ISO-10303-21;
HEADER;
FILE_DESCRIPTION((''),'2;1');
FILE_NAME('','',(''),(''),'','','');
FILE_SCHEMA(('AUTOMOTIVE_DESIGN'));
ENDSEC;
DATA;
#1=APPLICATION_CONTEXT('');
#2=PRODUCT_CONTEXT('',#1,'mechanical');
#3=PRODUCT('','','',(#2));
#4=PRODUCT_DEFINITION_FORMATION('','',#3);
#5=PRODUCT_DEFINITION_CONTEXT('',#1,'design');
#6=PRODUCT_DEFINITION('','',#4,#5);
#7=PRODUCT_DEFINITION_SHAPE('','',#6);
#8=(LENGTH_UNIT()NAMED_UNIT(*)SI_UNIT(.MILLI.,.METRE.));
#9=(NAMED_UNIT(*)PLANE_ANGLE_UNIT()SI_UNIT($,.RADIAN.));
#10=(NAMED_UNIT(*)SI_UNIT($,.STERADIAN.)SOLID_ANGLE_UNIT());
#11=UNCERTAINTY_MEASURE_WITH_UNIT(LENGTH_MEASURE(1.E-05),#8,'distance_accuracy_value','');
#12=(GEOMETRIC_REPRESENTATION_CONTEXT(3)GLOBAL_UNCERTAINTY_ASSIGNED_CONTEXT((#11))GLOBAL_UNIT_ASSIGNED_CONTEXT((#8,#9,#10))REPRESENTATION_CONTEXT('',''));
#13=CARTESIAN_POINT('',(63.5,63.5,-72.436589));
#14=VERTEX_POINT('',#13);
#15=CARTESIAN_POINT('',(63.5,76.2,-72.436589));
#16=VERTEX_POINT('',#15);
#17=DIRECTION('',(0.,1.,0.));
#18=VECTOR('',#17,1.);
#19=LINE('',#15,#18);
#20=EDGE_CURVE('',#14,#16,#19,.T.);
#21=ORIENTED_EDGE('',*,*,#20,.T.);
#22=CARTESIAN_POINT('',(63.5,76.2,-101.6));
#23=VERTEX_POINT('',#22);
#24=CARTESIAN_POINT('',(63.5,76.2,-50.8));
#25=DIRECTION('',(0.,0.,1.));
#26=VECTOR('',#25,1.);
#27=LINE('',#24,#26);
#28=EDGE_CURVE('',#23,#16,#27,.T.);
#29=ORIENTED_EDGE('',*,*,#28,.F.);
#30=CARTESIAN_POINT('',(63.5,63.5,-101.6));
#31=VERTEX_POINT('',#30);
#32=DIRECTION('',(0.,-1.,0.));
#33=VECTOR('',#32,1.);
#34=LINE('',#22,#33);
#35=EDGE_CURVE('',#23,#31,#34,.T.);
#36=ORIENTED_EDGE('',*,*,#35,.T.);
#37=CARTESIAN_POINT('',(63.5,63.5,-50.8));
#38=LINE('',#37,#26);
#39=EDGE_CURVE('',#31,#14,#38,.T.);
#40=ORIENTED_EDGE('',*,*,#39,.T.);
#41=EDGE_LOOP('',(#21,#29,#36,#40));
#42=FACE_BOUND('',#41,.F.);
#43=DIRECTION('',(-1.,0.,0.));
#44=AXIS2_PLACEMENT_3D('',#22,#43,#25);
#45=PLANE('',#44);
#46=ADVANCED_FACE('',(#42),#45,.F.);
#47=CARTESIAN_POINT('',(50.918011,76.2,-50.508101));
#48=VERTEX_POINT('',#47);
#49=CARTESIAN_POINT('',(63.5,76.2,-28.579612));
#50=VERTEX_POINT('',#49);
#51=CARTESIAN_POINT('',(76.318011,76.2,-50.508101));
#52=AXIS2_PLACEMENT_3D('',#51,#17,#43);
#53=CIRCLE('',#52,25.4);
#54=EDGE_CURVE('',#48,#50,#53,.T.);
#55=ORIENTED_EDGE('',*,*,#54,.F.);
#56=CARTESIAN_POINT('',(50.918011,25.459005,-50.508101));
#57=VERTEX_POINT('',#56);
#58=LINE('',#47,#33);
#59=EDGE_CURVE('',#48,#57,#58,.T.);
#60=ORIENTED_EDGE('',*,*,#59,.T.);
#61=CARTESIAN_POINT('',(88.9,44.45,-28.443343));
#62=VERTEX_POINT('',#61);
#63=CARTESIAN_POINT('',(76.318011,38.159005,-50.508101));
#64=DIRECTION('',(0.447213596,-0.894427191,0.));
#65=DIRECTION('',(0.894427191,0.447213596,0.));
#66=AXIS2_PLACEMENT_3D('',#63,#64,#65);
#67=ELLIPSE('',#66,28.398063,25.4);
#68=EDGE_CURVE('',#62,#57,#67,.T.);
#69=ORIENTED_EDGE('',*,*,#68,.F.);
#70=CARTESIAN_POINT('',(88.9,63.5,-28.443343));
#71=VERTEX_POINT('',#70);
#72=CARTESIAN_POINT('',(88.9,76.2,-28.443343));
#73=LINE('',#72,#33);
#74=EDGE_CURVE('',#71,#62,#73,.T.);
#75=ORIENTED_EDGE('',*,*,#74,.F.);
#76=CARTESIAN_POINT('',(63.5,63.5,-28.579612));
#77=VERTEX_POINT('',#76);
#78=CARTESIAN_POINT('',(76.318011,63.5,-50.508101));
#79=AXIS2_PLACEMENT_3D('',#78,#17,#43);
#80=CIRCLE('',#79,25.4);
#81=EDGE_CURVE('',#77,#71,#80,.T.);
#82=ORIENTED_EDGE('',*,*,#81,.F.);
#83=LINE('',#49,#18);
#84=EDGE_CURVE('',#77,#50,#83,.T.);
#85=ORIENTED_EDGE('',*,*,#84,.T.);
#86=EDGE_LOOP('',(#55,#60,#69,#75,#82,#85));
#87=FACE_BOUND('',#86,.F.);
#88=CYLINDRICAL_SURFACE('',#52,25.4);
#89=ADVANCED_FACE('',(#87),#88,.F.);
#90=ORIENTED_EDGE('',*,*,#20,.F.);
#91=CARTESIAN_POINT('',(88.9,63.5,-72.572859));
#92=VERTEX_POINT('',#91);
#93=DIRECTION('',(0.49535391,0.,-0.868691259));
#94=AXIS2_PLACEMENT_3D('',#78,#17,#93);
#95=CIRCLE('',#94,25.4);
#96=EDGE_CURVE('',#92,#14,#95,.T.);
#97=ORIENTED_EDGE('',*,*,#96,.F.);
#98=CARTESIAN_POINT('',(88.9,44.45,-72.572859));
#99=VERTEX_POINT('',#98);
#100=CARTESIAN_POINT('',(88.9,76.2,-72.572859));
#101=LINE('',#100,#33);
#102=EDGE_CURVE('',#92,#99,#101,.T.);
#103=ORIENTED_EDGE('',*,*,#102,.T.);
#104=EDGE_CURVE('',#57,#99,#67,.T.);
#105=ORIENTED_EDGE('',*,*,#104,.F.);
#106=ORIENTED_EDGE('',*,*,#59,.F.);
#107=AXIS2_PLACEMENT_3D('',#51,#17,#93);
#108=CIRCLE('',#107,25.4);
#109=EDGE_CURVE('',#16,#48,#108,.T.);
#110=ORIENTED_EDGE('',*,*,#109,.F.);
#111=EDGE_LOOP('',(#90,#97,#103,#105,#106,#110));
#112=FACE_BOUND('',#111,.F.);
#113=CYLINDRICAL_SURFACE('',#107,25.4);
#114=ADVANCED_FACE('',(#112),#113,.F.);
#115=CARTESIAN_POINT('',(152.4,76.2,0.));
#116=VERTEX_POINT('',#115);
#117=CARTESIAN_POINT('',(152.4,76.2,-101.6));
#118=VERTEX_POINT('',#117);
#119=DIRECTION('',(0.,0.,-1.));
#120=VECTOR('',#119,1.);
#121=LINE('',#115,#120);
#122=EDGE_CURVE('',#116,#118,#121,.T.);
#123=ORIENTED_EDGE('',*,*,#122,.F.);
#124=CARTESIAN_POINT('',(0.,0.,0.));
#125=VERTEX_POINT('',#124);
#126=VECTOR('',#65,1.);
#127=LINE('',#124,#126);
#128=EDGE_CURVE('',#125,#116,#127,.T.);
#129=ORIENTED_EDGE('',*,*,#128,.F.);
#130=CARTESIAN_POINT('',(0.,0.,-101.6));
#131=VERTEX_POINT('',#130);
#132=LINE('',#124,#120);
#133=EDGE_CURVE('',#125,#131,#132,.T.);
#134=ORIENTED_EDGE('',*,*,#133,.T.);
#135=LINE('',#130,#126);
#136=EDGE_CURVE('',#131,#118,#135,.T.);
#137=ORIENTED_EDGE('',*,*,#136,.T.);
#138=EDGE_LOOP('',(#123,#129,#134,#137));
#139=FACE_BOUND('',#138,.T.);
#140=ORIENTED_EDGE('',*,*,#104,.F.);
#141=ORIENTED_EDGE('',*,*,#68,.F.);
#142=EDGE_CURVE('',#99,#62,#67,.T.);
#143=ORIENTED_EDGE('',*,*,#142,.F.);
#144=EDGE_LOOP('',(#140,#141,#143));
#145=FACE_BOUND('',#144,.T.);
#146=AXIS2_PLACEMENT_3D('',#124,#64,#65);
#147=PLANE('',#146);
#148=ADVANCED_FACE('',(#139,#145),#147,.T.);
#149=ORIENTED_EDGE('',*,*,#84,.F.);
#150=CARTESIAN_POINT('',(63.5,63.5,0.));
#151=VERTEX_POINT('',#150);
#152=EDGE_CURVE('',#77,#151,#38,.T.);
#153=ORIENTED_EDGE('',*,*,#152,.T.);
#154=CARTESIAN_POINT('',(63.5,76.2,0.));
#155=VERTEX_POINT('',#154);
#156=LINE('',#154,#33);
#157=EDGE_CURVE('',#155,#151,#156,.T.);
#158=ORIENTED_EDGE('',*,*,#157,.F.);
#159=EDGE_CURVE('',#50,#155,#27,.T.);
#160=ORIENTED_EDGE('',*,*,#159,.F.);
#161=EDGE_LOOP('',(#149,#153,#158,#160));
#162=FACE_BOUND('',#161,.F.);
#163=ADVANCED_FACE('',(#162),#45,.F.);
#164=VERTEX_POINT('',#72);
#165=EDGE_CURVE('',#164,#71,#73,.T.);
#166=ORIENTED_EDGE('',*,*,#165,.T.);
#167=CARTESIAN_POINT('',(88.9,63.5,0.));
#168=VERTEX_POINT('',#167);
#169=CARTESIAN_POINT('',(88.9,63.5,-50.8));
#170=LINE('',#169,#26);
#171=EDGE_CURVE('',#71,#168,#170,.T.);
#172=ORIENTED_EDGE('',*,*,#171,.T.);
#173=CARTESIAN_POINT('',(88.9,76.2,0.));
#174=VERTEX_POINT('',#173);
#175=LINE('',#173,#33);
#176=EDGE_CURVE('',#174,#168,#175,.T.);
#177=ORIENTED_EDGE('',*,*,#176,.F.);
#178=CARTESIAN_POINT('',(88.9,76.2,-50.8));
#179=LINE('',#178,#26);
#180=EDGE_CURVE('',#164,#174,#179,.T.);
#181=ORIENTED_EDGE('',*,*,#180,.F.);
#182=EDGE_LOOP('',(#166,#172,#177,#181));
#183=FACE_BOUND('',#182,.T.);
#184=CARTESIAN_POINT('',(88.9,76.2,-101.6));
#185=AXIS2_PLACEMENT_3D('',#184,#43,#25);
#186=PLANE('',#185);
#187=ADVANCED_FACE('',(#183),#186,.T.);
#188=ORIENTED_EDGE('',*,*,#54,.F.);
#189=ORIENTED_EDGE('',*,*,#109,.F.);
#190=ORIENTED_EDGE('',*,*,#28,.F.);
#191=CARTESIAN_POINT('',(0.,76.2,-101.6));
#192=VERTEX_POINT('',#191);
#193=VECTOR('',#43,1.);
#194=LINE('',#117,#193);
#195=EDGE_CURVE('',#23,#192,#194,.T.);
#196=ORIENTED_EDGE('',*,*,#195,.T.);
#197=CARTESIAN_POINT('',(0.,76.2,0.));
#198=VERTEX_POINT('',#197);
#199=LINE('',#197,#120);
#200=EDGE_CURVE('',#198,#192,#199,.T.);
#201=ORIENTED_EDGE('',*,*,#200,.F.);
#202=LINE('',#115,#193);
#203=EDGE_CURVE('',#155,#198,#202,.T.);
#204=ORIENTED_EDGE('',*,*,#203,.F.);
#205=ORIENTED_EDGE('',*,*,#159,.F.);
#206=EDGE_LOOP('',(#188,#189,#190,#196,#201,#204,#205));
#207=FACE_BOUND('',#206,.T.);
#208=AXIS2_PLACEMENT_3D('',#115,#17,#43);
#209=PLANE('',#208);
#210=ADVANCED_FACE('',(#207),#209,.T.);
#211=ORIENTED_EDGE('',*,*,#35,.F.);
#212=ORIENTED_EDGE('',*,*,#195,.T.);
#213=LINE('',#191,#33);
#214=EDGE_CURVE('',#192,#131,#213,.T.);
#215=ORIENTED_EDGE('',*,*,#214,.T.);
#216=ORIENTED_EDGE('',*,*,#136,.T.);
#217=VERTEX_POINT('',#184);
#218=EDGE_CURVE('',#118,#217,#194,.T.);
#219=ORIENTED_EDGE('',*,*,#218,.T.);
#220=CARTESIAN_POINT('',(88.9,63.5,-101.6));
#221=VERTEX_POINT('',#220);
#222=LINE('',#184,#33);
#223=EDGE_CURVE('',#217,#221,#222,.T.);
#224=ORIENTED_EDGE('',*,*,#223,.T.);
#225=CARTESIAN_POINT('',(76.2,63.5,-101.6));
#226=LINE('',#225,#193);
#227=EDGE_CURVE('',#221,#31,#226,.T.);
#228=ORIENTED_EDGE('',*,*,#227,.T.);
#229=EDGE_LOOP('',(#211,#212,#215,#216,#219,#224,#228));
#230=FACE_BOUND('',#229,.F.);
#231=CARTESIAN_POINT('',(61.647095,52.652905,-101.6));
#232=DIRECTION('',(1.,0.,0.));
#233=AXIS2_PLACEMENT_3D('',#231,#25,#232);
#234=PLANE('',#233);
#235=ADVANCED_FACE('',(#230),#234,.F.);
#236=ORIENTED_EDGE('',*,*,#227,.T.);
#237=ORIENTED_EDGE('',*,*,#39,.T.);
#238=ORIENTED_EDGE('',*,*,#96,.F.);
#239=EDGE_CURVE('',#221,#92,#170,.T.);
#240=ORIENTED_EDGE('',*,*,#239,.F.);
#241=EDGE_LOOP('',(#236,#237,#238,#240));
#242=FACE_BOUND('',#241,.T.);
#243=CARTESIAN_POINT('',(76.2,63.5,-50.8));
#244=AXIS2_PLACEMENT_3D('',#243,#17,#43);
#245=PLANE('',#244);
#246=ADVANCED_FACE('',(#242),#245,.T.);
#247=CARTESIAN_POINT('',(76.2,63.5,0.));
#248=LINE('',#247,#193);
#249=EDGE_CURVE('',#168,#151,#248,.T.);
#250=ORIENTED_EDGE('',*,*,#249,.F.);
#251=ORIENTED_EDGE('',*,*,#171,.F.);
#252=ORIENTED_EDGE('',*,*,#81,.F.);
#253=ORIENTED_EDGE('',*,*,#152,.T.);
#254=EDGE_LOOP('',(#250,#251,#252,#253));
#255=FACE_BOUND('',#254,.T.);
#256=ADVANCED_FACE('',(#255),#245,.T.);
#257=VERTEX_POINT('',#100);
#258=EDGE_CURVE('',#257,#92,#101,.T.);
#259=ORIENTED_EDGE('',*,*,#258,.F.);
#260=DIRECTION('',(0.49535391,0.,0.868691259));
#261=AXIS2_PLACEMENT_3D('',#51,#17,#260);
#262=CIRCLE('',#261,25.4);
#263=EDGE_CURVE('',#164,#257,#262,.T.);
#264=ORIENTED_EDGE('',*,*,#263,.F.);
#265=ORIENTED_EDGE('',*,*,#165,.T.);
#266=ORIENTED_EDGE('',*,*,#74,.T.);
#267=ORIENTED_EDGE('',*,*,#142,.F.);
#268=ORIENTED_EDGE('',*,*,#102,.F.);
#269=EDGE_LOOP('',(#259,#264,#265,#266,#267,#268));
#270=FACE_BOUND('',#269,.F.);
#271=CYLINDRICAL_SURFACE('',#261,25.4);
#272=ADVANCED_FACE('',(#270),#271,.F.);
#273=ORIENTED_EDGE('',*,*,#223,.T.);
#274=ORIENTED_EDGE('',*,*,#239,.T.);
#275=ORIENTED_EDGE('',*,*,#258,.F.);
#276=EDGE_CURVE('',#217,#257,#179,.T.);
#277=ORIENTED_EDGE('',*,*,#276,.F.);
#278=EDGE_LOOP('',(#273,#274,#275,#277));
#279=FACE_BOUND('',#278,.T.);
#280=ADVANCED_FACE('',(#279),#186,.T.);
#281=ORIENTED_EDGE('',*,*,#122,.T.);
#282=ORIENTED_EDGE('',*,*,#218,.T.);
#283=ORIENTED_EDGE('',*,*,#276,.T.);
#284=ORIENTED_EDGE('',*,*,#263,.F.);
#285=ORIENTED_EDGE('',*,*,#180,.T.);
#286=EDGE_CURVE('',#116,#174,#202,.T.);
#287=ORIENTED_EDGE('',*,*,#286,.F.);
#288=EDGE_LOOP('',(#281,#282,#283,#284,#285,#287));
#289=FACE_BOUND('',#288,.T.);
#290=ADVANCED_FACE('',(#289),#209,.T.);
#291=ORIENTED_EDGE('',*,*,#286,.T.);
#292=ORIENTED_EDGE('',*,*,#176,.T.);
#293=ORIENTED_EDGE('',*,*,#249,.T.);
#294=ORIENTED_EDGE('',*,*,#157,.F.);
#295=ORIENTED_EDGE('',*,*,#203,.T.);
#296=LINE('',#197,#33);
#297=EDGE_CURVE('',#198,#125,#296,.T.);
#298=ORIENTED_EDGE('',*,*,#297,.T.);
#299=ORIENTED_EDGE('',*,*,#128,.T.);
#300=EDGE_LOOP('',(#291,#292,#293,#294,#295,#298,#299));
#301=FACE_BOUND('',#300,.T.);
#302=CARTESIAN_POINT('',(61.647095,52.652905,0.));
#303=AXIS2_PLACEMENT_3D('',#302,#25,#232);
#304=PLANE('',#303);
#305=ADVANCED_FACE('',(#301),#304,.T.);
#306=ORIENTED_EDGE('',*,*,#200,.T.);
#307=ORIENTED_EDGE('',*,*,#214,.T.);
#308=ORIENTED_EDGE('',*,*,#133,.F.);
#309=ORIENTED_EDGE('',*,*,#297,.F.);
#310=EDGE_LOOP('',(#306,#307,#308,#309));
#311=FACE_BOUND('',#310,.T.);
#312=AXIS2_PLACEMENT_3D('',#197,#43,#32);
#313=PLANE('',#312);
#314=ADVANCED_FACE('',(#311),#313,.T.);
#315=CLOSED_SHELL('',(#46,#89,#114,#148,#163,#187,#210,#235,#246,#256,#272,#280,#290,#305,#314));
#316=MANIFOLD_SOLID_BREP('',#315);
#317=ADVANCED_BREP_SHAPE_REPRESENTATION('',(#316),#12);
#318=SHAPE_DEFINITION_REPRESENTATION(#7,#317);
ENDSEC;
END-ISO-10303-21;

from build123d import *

# Parameters (mm, degrees)
F1_DEPTH = 101.6
F2_W     = 25.4
F2_H     = 101.6
F3_DEPTH = 12.7
F5_DEPTH = 76.201


with BuildPart() as f1:
    # F0 (on Top) → F1 (new body)
    with BuildSketch(Plane.XY):
        Polygon((0, 76.2), (0, 0), (152.4, 76.2), align=None)
    extrude(amount=-F1_DEPTH)

    # F2 (on face) → F3 (cut)
    with BuildSketch(Plane(origin=(0, 76.2, 0), x_dir=(-1, 0, 0), z_dir=(0, 1, 0))):
        with Locations((-76.2, -50.8)):
            Rectangle(F2_W, F2_H)
    extrude(amount=-F3_DEPTH, mode=Mode.SUBTRACT)

    # F4 (on face) → F5 (cut, through all)
    with BuildSketch(Plane(origin=(0, 76.2, 0), x_dir=(-1, 0, 0), z_dir=(0, 1, 0))):
        with BuildLine():
            ThreePointArc((-88.9, -72.5728585247), (-63.5591417828, -72.4710526239), (-50.9180106878, -50.5081005394))
            ThreePointArc((-50.9180106878, -50.5081005394), (-63.5591417828, -28.545148455), (-88.9, -28.4433425542))
            Line((-88.9, -28.4433425542), (-88.9, -72.5728585247))
        make_face()
        with BuildLine():
            Line((-88.9, -72.5728585247), (-88.9, -28.4433425542))
            ThreePointArc((-88.9, -28.4433425542), (-101.7180106878, -50.5081005394), (-88.9, -72.5728585247))
        make_face()
    extrude(amount=-F5_DEPTH, mode=Mode.SUBTRACT)


solid = f1.part
